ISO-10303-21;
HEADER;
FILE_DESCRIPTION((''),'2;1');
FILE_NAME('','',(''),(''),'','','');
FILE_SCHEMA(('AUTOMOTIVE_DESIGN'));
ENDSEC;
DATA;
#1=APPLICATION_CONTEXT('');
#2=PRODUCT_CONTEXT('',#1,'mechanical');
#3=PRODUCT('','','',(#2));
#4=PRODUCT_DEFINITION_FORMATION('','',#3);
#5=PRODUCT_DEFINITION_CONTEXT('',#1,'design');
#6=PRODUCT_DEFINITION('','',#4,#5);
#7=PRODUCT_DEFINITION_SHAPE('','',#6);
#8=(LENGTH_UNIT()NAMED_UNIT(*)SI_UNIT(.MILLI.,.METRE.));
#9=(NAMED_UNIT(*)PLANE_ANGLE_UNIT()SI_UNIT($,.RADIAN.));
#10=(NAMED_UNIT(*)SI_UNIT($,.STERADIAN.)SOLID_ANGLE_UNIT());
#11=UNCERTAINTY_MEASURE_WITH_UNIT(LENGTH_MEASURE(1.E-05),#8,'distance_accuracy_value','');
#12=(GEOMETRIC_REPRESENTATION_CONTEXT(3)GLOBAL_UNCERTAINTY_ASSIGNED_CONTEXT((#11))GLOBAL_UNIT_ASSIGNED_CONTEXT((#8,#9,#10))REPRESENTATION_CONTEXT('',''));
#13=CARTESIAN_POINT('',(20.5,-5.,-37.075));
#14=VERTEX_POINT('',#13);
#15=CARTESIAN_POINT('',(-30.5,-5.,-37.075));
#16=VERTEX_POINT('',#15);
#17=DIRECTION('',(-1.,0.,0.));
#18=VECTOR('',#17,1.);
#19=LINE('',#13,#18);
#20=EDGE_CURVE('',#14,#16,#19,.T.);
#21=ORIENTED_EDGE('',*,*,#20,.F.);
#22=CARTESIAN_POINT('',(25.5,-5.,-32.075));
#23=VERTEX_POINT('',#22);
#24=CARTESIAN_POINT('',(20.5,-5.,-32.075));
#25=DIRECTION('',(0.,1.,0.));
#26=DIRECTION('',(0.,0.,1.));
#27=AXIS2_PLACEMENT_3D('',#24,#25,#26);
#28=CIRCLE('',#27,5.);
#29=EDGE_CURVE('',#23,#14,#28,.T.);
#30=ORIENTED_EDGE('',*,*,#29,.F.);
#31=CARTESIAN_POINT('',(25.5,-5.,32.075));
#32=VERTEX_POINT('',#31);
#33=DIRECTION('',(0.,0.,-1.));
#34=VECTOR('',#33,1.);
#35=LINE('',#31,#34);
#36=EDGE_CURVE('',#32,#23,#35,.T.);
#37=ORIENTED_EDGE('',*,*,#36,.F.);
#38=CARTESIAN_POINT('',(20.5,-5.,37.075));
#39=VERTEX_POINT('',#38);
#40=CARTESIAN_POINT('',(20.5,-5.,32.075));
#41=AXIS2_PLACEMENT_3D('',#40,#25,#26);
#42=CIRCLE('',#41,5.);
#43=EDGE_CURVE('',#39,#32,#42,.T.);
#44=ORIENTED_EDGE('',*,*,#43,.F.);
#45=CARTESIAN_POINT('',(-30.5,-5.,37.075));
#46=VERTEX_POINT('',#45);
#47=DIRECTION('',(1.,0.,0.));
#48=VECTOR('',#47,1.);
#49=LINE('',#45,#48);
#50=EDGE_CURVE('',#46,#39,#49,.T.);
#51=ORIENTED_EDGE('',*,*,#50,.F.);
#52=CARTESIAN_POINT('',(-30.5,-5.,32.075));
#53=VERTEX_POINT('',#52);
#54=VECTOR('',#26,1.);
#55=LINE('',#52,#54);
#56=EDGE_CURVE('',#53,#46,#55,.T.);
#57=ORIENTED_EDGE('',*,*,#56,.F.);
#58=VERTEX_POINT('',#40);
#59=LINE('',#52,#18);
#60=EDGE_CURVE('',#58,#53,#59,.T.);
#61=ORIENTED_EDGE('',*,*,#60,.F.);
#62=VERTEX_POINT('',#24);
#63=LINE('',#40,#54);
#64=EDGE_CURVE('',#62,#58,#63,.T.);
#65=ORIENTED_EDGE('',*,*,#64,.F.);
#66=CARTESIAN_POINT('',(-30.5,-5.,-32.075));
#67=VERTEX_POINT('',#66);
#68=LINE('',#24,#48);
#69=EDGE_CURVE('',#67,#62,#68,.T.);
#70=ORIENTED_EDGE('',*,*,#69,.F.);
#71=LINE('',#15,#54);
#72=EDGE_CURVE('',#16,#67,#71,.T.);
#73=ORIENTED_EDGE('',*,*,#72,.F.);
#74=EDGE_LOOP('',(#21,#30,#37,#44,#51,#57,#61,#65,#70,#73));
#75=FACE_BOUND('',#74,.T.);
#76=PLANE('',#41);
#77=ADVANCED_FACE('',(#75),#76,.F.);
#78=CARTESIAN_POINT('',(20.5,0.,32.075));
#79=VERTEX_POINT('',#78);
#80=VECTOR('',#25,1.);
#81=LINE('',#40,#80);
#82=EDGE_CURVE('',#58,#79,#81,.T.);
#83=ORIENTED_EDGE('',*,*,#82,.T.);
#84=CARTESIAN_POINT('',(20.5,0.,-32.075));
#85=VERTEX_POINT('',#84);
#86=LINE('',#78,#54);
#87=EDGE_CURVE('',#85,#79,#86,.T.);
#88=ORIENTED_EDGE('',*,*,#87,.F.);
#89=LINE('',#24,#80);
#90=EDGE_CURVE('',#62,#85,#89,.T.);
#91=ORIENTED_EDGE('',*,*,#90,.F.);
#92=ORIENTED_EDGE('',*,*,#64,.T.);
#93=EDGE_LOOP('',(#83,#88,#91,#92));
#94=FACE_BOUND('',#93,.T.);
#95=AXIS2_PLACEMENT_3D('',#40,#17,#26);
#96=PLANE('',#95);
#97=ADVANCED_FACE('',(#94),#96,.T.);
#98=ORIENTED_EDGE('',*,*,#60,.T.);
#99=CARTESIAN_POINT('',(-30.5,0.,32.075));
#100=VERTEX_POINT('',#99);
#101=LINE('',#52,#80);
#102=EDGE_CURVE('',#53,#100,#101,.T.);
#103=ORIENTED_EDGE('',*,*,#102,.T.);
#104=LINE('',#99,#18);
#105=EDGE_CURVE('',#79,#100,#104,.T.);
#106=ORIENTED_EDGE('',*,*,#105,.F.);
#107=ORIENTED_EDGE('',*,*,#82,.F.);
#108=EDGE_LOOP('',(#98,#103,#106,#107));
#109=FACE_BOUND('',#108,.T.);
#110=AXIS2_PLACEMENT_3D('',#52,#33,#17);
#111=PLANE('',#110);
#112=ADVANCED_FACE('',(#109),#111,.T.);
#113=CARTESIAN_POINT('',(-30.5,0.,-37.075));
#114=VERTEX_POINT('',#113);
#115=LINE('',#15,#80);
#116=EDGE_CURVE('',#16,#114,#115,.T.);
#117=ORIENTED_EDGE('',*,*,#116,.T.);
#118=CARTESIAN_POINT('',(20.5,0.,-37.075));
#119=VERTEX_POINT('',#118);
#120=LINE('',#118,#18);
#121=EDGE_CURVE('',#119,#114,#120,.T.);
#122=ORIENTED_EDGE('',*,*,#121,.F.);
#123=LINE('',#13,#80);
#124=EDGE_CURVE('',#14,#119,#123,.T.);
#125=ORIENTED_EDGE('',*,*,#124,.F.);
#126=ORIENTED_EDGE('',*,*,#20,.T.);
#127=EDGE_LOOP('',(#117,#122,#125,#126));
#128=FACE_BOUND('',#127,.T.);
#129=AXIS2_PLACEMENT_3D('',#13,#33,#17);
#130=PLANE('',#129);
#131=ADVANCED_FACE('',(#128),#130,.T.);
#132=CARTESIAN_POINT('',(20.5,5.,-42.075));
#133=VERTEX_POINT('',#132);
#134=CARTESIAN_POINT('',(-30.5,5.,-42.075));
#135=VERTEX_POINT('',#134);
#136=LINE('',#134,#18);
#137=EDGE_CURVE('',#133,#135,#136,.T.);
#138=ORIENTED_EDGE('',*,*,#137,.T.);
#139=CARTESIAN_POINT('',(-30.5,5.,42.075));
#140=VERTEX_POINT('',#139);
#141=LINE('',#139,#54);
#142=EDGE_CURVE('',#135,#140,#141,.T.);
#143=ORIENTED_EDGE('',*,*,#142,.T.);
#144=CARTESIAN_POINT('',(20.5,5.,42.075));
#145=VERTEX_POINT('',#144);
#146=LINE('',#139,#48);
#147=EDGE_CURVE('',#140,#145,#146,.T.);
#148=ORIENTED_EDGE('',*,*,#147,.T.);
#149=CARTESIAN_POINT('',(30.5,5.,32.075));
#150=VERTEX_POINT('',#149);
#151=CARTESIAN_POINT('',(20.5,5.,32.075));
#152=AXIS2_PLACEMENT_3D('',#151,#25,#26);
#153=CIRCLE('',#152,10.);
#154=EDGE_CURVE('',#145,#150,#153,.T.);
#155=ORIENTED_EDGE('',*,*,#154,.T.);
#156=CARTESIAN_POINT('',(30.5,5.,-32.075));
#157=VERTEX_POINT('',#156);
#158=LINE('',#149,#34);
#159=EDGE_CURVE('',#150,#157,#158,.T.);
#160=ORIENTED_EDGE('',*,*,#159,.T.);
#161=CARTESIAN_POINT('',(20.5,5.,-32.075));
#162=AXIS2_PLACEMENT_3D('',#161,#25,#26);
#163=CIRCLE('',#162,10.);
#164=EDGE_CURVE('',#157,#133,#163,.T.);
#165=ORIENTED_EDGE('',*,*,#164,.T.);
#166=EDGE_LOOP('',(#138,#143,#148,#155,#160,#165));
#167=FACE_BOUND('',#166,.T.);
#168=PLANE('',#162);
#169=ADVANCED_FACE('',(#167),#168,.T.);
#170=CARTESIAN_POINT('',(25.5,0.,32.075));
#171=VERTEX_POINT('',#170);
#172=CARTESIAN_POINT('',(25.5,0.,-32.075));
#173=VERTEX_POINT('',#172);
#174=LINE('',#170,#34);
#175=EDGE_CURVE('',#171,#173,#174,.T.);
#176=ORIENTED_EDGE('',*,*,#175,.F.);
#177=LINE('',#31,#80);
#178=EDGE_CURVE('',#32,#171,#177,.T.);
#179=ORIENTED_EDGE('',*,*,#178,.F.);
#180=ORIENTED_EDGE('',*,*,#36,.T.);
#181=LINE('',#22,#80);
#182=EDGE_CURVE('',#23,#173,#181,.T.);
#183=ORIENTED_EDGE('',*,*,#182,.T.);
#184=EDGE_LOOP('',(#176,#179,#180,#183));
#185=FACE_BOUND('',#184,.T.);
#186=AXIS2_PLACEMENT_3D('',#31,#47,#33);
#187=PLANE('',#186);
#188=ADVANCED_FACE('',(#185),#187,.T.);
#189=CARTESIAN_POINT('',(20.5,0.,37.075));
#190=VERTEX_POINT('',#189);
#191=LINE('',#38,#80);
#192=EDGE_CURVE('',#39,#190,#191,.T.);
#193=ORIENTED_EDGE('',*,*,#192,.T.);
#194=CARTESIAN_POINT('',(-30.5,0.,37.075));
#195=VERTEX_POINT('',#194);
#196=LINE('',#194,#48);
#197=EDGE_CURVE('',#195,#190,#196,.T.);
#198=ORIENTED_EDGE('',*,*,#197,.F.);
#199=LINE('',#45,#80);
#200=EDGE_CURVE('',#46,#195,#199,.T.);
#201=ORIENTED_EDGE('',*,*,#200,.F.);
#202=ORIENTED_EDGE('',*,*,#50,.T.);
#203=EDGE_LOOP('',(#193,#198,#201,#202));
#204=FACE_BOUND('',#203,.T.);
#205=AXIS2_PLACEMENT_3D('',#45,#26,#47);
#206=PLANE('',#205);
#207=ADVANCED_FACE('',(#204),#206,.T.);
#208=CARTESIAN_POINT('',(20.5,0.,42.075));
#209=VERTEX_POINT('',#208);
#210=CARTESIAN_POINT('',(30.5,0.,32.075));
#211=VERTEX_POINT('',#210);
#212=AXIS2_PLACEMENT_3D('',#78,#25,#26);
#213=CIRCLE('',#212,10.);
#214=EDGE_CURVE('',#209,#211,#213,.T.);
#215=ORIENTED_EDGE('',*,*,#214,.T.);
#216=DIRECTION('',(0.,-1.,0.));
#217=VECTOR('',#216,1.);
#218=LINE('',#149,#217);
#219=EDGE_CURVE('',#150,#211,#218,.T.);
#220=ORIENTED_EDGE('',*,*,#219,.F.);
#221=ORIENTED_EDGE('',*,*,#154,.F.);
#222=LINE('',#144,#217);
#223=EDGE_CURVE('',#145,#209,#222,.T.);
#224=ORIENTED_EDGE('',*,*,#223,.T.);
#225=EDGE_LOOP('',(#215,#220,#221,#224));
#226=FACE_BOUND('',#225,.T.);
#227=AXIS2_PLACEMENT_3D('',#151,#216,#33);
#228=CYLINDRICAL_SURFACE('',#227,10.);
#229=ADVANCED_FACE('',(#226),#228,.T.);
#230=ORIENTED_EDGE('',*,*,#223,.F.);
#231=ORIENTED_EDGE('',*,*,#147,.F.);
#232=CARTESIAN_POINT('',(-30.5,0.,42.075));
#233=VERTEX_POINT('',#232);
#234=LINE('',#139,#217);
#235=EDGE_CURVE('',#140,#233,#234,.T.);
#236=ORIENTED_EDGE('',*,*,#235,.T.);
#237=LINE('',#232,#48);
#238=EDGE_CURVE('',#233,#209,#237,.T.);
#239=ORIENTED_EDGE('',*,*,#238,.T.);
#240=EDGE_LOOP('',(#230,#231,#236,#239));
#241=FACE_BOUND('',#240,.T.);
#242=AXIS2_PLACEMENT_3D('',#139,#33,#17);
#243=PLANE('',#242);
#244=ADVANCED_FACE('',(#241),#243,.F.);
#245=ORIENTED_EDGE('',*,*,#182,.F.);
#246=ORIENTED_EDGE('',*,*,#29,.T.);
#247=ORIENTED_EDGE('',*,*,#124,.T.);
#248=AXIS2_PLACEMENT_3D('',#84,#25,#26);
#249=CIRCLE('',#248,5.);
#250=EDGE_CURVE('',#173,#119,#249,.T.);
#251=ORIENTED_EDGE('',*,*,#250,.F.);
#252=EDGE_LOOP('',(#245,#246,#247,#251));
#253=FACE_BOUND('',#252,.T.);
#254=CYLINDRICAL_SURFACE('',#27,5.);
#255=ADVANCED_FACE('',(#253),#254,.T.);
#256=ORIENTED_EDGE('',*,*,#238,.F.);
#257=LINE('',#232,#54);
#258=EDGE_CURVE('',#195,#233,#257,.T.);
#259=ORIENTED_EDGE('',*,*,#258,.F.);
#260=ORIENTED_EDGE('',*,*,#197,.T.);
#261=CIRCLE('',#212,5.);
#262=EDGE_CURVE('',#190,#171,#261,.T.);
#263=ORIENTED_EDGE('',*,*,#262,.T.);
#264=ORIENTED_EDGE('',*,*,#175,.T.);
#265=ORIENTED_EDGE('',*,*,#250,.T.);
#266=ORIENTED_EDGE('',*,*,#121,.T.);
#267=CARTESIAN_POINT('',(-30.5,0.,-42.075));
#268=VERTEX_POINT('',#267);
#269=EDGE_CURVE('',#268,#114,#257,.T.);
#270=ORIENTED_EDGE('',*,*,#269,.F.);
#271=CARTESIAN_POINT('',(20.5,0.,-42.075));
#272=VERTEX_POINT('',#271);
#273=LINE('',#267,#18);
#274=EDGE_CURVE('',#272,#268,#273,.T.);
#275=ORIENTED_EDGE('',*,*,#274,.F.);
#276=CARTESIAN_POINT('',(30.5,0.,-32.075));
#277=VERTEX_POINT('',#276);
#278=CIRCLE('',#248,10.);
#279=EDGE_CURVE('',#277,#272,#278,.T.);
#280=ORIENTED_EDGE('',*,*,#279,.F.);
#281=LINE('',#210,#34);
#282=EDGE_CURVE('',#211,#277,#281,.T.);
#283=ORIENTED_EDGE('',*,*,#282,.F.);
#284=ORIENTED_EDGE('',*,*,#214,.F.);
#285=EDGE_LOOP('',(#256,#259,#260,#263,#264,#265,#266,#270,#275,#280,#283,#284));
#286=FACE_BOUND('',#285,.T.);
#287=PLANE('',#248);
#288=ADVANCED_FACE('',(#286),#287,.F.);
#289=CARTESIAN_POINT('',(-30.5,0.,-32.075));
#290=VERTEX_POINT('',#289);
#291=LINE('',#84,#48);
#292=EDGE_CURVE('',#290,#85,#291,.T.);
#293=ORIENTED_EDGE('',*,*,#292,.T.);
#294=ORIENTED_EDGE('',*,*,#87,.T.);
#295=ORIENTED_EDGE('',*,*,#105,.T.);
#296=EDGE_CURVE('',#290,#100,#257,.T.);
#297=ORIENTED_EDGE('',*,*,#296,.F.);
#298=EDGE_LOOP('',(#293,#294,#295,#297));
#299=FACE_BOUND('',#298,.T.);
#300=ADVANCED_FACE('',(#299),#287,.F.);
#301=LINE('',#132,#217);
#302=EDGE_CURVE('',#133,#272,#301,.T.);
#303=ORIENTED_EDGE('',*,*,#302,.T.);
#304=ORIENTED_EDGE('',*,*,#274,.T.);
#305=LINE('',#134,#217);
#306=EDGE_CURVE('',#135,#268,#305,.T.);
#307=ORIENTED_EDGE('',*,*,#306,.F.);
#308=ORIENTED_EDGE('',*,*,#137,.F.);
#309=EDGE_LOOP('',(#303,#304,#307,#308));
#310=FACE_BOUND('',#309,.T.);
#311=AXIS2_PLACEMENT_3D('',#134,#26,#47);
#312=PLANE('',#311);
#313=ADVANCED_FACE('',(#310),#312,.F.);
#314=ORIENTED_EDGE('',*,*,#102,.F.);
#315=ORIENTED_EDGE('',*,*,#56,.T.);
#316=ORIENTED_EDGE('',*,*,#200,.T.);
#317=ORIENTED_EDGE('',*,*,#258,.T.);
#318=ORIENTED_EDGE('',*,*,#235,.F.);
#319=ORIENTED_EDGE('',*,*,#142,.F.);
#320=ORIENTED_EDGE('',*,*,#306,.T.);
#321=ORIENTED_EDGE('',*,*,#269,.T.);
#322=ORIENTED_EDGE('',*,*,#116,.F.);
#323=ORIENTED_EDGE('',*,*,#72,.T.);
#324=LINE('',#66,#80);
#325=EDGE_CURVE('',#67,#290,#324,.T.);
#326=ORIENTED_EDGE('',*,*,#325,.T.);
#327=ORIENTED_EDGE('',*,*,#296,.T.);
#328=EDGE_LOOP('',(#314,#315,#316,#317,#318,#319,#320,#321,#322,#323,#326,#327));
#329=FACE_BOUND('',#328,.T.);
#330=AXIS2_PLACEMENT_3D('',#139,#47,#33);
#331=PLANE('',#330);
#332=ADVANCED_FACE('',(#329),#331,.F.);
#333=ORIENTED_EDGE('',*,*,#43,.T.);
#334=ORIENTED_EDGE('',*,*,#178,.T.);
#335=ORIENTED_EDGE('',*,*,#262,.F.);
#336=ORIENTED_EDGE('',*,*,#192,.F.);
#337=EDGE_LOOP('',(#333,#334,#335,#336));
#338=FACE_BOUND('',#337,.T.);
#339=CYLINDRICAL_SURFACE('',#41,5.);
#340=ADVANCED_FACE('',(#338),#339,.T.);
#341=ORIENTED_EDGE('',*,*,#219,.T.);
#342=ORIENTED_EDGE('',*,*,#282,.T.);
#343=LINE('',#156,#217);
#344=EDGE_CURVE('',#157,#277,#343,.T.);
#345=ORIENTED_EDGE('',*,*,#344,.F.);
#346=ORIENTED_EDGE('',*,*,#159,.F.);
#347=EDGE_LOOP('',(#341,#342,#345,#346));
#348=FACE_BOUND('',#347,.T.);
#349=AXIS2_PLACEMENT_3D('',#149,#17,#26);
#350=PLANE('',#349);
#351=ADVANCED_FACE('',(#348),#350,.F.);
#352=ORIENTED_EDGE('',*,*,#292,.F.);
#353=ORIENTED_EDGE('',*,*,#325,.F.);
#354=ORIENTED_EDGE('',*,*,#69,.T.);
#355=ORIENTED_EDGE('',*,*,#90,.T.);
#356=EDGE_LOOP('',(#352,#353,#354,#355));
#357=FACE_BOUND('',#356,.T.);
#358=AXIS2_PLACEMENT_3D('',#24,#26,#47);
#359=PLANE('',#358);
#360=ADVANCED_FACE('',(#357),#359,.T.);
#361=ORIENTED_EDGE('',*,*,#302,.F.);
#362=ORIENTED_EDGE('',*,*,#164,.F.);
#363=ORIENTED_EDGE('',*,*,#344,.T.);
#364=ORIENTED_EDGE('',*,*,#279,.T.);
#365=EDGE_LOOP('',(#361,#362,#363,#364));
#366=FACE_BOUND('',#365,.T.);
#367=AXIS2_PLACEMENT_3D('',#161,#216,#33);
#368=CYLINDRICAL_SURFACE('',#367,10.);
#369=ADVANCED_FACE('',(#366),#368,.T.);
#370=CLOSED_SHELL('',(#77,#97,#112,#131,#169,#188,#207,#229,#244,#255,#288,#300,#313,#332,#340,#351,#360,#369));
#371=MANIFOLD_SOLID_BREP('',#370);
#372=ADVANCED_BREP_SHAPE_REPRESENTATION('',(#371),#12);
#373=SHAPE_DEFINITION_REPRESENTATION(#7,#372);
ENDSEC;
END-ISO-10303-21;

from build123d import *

# Parameters (mm, degrees)
SALIENTE_EXTRUIR1_DEPTH = 5
SALIENTE_EXTRUIR2_DEPTH = 5


with BuildPart() as part:
    # Croquis1 → Saliente-Extruir1 (new body)
    with BuildSketch(Plane(origin=(0, 0, 0), x_dir=(1, 0, 0), z_dir=(0, 1, 0))):
        with BuildLine():
            Line((-30.5, -42.075), (20.5, -42.075))
            ThreePointArc((20.5, -42.075), (27.571067812, -39.146067812), (30.5, -32.075))
            Line((30.5, -32.075), (30.5, 32.075))
            ThreePointArc((30.5, 32.075), (27.571067812, 39.146067812), (20.5, 42.075))
            Line((20.5, 42.075), (-30.5, 42.075))
            Line((-30.5, 42.075), (-30.5, -42.075))
        make_face()
    extrude(amount=SALIENTE_EXTRUIR1_DEPTH)

    # Croquis2 → Saliente-Extruir2 (add)
    with BuildSketch(Plane(origin=(0, 0, 0), x_dir=(1, 0, 0), z_dir=(0, 1, 0))):
        with BuildLine():
            Line((-30.5, -32.075), (20.5, -32.075))
            Line((20.5, -32.075), (20.5, 32.075))
            Line((20.5, 32.075), (-30.5, 32.075))
            Line((-30.5, 32.075), (-30.5, 37.075))
            Line((-30.5, 37.075), (20.5, 37.075))
            ThreePointArc((20.5, 37.075), (24.035533906, 35.610533906), (25.5, 32.075))
            Line((25.5, 32.075), (25.5, -32.075))
            ThreePointArc((25.5, -32.075), (24.035533906, -35.610533906), (20.5, -37.075))
            Line((20.5, -37.075), (-30.5, -37.075))
            Line((-30.5, -37.075), (-30.5, -32.075))
        make_face()
    extrude(amount=-SALIENTE_EXTRUIR2_DEPTH)


solid = part.part
